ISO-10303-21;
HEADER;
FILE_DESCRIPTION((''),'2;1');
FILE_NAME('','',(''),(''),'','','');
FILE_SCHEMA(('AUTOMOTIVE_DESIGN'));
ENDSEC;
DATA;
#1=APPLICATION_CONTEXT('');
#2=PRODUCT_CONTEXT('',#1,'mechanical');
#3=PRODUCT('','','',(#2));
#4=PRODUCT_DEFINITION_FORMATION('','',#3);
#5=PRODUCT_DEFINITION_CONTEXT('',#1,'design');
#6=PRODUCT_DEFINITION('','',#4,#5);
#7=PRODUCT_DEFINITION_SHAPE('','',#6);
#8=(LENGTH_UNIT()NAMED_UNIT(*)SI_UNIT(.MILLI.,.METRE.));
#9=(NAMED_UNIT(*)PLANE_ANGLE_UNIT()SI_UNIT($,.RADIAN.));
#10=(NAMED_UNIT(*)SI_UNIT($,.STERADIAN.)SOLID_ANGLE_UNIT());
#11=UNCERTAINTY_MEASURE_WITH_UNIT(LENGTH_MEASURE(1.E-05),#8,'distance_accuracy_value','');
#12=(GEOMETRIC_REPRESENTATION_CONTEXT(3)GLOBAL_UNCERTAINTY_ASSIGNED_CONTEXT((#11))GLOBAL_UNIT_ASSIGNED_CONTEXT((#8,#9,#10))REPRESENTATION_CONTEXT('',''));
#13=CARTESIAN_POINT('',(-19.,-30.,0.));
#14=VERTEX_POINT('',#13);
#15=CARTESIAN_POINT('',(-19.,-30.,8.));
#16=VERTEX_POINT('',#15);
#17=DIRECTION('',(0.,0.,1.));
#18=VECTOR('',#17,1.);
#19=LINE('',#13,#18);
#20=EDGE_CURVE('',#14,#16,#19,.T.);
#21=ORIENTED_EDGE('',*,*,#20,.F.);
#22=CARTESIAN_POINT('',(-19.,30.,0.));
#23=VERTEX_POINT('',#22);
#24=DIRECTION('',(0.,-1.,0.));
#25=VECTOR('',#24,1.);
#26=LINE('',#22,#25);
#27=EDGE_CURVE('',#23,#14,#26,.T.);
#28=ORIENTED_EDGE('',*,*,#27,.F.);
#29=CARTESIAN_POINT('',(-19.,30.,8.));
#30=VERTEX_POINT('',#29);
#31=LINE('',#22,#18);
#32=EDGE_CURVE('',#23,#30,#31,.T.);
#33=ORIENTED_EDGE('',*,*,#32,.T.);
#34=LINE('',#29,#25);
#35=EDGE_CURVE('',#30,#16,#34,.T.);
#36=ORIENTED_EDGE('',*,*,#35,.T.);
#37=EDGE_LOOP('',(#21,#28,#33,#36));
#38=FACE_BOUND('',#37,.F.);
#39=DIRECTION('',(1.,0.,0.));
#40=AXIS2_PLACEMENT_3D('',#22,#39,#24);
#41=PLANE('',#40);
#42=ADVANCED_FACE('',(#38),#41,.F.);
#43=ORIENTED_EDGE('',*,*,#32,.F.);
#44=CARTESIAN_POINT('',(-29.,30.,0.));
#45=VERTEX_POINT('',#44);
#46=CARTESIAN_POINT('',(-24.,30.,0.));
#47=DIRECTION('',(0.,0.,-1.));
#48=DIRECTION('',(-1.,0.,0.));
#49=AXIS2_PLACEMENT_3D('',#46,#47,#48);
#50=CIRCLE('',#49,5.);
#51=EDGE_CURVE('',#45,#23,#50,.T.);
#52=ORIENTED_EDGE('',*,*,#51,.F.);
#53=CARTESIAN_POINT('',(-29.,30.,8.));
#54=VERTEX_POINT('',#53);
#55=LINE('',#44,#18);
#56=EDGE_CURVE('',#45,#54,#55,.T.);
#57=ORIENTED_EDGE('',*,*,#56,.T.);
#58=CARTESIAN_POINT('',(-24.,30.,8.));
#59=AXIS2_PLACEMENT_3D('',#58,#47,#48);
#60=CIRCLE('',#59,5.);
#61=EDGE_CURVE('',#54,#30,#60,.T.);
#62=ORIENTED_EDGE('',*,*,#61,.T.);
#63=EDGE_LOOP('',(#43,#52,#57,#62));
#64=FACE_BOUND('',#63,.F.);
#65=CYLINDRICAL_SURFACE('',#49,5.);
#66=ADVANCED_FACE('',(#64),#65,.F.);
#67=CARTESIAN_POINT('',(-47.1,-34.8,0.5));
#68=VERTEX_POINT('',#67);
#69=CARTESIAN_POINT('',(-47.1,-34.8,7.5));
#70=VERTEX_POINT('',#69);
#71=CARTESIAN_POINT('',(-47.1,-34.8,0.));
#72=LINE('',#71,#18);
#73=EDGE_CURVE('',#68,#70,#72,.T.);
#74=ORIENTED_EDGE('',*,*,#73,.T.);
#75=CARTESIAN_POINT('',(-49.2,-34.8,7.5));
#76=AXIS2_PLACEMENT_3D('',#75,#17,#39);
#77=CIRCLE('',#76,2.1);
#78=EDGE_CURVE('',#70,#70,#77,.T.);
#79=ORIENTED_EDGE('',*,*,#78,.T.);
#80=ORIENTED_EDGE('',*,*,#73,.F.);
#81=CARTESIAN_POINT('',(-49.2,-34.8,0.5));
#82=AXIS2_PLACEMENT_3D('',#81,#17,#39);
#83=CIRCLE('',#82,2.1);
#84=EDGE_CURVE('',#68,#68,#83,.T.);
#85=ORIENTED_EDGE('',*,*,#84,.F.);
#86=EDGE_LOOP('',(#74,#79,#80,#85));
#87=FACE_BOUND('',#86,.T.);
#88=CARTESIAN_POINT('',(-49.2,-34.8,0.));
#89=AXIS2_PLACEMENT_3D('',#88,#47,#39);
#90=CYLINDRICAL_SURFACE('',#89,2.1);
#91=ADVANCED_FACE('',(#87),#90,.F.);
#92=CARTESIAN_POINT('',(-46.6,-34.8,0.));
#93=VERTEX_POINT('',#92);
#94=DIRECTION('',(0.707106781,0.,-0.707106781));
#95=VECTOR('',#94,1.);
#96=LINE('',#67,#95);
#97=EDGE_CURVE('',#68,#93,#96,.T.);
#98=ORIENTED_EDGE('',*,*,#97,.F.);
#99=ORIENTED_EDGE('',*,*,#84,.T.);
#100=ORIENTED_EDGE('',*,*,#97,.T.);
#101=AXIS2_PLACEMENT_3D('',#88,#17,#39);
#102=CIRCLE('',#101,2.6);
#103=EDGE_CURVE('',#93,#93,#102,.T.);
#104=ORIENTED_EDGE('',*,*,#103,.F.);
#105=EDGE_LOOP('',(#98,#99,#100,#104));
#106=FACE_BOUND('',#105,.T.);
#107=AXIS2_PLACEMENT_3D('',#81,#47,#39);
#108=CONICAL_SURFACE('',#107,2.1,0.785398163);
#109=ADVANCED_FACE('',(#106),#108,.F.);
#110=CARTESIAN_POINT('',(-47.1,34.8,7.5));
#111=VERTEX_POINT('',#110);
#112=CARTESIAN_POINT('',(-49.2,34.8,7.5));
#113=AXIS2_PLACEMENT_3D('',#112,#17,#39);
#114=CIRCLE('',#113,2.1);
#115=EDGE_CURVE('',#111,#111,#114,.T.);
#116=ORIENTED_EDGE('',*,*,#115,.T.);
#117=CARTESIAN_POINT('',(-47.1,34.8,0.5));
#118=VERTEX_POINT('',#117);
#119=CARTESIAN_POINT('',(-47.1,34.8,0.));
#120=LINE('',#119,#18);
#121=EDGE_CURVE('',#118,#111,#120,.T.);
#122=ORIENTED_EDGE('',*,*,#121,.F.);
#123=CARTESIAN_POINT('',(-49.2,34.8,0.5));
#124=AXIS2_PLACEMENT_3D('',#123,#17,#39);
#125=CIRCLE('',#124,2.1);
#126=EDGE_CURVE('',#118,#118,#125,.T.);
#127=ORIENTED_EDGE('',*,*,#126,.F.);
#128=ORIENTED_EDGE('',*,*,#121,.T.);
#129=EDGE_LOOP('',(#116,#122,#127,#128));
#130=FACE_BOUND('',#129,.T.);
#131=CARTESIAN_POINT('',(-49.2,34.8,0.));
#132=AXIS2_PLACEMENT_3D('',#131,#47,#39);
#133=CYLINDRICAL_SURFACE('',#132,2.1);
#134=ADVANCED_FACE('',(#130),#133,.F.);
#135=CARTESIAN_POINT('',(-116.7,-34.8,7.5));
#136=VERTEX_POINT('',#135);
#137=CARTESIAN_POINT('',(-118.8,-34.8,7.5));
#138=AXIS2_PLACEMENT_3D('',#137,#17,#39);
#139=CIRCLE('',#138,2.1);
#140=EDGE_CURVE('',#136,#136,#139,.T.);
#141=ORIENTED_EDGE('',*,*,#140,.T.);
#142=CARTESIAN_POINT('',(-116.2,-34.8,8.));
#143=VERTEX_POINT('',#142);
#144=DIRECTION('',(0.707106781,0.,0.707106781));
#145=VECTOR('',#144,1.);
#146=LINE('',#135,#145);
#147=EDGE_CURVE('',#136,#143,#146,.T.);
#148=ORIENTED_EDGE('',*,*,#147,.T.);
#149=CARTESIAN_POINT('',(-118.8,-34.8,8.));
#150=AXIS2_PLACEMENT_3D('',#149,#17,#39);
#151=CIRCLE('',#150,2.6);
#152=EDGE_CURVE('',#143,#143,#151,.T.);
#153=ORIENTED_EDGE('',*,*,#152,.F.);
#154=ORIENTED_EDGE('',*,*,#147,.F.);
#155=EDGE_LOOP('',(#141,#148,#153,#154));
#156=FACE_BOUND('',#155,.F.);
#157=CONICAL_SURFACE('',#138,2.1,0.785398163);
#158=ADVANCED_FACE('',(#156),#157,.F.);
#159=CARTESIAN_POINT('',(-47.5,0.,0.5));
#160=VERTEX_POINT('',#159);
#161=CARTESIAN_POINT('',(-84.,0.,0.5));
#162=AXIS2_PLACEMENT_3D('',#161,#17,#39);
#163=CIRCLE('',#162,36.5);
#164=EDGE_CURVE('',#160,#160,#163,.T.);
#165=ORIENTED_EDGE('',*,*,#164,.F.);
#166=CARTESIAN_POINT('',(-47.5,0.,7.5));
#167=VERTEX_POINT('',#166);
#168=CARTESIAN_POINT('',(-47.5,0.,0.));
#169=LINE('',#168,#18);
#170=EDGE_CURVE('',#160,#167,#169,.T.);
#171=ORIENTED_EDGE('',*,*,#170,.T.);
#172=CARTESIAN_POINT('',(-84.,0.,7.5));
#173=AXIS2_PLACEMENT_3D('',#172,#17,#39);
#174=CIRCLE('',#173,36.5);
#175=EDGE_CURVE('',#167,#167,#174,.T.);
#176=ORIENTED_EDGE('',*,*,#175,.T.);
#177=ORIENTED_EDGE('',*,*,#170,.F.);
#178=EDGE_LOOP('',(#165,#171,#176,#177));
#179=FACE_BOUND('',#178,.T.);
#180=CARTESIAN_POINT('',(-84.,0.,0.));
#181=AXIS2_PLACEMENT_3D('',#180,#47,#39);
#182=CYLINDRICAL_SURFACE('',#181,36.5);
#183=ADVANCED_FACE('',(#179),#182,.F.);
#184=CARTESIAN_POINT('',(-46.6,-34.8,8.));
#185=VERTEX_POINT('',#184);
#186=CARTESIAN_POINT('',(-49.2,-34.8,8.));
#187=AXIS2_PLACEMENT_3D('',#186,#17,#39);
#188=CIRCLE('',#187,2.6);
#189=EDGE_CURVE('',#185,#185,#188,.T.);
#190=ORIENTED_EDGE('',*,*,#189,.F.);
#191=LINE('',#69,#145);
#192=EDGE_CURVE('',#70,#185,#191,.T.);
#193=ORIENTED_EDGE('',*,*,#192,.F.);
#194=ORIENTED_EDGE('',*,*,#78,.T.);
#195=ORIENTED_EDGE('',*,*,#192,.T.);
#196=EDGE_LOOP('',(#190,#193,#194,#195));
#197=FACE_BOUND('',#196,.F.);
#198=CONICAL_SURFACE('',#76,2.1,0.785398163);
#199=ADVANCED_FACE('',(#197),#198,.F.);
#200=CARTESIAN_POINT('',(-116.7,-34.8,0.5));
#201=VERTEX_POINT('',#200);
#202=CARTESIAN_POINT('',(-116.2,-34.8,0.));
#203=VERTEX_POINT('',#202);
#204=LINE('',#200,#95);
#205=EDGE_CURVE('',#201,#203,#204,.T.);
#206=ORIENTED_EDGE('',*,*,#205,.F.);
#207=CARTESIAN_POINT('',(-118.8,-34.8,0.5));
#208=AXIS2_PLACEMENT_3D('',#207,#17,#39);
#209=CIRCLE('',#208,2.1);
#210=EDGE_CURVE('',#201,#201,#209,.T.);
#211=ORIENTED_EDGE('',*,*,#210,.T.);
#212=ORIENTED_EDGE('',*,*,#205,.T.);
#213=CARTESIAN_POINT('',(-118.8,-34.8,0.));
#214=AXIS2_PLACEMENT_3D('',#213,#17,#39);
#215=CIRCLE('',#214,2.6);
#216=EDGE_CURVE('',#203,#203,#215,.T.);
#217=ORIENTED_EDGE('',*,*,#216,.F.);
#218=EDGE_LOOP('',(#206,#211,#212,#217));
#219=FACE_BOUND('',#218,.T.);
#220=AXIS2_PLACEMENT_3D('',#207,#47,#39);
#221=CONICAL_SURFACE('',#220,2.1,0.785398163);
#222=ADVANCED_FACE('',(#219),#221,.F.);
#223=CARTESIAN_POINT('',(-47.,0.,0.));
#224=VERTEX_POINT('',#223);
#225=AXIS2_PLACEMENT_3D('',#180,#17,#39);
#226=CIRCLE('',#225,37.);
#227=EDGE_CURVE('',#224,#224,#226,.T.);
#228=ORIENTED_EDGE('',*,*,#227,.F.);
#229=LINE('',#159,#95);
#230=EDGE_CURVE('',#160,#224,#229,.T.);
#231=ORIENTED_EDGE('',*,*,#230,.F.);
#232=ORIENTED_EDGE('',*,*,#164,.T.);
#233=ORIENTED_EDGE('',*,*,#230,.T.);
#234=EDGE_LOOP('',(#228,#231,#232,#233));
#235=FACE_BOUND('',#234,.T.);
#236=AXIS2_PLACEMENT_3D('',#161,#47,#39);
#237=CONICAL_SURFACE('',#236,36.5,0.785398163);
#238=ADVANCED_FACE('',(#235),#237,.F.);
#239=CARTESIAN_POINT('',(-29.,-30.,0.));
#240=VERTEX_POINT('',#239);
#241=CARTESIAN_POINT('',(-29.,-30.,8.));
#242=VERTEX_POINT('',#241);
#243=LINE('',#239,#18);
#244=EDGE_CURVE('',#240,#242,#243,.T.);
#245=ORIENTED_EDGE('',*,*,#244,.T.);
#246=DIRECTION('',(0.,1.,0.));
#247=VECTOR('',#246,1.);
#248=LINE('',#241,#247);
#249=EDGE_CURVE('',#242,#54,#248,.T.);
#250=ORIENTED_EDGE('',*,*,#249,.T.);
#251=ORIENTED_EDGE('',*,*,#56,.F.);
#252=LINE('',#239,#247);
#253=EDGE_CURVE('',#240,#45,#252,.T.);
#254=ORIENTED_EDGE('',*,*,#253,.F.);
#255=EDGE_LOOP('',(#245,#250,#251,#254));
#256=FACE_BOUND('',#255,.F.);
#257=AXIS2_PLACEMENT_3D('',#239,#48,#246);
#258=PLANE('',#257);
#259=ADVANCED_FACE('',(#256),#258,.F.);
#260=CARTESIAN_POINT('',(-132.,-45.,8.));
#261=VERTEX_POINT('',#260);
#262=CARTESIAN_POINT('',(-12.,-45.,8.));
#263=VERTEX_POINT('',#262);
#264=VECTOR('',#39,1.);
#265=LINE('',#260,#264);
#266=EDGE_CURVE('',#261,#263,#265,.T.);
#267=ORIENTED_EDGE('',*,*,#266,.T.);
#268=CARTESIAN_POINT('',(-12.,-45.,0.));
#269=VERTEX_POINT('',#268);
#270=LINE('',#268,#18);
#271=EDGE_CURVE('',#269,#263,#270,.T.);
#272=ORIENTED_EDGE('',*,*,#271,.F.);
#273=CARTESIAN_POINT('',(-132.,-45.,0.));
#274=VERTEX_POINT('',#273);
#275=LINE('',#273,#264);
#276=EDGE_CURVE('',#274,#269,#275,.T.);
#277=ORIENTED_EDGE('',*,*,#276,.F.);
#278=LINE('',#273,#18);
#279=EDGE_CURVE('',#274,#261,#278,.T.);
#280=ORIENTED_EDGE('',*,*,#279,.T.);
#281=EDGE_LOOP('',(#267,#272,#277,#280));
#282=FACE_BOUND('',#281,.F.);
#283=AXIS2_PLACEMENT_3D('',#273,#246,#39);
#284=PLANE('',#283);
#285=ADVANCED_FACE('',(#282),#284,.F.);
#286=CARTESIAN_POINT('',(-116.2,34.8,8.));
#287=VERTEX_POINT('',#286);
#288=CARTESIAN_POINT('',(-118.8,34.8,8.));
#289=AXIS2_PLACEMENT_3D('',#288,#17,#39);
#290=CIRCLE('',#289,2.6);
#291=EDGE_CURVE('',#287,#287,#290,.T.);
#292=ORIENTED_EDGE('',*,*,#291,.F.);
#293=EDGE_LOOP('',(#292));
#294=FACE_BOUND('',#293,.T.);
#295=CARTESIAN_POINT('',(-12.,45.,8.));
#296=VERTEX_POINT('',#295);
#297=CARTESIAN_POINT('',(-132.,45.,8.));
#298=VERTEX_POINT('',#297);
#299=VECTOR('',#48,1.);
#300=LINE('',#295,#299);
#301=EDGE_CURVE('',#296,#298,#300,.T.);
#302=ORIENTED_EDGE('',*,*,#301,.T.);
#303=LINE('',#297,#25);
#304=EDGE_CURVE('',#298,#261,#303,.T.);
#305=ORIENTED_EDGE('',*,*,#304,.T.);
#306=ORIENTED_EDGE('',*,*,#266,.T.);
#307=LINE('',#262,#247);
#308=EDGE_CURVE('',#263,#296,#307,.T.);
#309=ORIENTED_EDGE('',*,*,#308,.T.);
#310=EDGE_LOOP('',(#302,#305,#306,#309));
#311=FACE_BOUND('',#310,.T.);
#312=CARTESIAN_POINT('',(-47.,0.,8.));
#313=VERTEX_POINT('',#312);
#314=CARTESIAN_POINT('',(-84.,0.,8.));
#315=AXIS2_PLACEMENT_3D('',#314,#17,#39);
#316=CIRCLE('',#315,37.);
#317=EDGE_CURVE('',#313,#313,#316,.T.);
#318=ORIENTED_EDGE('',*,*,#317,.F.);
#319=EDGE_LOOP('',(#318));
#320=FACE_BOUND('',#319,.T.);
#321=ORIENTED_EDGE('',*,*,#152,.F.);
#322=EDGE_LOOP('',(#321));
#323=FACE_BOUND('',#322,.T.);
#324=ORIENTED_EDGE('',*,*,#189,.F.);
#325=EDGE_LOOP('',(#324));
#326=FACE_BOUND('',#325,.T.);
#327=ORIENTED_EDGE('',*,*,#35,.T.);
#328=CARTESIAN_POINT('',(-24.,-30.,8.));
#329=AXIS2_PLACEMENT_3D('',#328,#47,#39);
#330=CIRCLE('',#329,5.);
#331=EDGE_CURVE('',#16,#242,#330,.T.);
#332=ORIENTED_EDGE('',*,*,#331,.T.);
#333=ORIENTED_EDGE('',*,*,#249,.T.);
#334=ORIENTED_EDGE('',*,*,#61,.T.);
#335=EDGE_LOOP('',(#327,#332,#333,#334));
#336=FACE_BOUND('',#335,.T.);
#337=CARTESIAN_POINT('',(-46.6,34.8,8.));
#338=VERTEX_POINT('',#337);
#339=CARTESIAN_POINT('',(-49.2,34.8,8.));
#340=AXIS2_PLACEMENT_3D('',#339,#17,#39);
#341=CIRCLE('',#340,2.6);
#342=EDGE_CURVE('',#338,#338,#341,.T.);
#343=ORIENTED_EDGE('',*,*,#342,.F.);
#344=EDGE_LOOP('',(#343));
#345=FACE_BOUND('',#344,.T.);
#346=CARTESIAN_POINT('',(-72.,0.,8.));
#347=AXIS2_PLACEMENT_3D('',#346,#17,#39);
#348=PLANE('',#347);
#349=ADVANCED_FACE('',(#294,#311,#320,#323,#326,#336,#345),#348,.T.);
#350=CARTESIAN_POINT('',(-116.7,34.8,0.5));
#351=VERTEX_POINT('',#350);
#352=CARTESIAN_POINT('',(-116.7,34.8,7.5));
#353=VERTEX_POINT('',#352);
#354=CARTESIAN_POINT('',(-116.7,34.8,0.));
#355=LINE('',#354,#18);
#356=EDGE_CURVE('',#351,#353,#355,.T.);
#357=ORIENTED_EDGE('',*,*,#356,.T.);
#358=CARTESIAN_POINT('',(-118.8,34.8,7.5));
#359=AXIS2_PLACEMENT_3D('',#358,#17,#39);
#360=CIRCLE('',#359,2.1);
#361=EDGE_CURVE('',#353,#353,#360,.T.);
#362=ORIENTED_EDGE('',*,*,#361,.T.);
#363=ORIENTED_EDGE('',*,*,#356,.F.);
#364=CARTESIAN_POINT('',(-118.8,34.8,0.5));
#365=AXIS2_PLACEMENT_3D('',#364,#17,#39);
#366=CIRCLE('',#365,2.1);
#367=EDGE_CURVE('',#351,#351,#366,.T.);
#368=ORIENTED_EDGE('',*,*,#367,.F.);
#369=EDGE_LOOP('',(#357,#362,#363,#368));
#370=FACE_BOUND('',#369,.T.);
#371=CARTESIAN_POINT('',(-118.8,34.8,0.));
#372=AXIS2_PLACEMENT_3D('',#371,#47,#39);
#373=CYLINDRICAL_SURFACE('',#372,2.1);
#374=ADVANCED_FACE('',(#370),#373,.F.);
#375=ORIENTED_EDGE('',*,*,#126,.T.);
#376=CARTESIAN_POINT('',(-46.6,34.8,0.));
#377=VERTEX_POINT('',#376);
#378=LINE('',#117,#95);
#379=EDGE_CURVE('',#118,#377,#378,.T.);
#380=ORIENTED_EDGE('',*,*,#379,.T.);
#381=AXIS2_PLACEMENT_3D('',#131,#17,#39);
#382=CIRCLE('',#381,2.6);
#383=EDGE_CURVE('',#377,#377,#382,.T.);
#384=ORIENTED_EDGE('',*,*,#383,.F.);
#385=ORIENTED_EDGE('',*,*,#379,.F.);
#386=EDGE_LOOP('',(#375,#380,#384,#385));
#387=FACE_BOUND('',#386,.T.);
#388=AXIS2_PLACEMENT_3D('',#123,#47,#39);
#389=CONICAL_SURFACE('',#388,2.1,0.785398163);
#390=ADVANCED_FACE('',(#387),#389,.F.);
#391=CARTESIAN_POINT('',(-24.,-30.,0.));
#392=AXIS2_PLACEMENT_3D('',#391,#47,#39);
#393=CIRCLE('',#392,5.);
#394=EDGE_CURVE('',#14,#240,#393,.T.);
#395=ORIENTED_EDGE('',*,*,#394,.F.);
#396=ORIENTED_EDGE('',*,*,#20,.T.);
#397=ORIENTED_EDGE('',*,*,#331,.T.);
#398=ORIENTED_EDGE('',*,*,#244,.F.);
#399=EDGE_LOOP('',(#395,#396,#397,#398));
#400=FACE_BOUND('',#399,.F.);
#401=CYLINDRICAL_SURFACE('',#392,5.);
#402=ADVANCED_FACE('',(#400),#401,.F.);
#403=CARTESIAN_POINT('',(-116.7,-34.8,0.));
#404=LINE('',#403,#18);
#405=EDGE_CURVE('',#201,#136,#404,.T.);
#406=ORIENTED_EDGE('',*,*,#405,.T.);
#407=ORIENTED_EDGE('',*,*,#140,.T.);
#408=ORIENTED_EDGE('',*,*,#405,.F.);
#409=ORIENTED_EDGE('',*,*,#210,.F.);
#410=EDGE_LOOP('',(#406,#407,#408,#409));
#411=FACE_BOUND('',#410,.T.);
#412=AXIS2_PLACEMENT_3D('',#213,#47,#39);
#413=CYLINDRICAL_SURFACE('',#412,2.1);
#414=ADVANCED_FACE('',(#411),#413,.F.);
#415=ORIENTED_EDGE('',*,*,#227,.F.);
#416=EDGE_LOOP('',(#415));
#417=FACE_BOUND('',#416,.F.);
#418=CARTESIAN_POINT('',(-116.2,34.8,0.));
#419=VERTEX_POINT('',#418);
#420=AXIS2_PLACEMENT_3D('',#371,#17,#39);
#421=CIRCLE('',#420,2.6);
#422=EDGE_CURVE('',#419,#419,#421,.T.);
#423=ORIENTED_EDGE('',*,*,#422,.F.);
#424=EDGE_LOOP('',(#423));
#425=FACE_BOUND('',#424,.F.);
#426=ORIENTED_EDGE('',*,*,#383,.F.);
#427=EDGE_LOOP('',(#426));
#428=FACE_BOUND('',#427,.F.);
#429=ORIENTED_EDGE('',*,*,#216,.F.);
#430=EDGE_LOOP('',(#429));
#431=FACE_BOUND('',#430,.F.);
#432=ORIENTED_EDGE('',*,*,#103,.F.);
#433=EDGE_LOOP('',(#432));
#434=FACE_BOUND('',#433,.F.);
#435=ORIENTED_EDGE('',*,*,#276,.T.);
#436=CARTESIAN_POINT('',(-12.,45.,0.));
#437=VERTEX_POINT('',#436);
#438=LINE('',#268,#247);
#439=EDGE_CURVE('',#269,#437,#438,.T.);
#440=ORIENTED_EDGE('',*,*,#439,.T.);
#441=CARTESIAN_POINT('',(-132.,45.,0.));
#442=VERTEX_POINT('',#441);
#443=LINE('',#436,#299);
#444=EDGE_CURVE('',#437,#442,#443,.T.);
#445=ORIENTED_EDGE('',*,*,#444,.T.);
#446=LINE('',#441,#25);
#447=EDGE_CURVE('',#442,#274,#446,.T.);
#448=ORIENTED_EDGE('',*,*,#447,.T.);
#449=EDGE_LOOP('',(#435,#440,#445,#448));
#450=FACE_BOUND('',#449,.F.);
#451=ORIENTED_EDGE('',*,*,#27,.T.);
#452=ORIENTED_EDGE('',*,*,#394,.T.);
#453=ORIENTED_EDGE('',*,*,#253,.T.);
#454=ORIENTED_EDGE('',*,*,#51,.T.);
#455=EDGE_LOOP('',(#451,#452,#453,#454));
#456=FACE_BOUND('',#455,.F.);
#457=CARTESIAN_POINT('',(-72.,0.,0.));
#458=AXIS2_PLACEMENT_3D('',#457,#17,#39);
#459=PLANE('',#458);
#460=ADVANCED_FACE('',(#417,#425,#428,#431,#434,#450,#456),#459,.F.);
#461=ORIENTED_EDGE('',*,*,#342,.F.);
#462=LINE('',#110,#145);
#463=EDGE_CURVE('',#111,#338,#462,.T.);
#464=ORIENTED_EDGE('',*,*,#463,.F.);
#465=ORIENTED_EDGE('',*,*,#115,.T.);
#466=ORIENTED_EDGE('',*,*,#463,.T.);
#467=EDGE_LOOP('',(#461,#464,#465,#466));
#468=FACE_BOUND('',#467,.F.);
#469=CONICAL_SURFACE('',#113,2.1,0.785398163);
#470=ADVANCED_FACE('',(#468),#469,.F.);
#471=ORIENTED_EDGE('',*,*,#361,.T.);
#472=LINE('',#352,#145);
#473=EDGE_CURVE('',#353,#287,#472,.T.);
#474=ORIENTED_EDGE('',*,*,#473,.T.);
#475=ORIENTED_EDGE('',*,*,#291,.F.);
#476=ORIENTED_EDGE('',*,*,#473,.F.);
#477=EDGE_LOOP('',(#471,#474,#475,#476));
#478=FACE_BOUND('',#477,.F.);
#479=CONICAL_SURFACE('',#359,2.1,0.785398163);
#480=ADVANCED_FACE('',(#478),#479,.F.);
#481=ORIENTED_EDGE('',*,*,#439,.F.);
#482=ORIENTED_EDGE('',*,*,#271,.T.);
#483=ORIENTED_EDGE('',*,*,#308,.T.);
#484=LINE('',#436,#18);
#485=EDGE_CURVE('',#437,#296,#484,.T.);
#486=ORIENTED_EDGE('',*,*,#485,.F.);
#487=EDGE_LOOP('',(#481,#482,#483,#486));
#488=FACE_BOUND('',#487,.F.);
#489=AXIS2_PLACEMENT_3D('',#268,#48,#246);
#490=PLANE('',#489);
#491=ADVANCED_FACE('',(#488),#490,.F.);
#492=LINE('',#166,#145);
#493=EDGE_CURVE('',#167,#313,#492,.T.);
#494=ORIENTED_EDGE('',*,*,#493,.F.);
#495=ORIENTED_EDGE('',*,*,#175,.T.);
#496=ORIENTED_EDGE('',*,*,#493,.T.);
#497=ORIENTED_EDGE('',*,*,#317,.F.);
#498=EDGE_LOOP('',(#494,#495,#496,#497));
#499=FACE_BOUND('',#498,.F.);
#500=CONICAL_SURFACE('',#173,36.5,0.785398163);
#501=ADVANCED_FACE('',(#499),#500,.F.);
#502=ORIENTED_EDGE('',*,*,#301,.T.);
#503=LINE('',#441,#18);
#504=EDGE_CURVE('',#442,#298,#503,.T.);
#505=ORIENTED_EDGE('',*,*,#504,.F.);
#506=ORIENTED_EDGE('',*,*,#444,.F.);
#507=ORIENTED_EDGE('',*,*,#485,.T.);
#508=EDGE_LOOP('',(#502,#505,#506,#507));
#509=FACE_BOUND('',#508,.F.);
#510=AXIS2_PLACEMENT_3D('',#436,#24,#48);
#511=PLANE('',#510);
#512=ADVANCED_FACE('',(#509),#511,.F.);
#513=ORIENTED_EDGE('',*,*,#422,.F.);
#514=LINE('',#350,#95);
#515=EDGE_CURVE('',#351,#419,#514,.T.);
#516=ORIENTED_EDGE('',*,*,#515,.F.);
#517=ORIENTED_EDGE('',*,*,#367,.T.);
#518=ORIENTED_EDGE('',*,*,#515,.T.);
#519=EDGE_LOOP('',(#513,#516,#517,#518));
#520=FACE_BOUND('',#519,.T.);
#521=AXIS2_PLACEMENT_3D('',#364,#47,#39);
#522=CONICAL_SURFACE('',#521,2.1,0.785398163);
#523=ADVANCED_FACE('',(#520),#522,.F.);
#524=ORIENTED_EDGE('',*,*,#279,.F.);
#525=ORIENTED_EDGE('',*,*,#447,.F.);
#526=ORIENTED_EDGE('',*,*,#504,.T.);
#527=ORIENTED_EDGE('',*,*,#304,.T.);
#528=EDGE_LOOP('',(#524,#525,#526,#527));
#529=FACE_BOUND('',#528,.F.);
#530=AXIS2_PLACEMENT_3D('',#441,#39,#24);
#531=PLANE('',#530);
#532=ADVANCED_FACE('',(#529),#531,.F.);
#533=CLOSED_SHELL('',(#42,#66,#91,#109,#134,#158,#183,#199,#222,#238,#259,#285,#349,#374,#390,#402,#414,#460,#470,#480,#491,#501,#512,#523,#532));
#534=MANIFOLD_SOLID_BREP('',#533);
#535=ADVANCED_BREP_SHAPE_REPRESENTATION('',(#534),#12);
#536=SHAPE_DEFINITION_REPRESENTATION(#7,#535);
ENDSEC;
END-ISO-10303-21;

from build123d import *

# Parameters (mm, degrees)
F0_R     = 2.1
F0_R_2   = 36.5
F1_DEPTH = 8
F2_SIZE  = 0.5


with BuildPart() as f1:
    # F0 (on Top) → F1 (new body)
    with BuildSketch(Plane.XY):
        Polygon((-37, 45), (-132, 45), (-132, -45), (-37, -45), (-12, -45), (-12, 0), (-12, 45), align=None)
        with Locations((-118.8, -34.8)):
            Circle(F0_R, mode=Mode.SUBTRACT)
        with Locations((-49.2, -34.8)):
            Circle(F0_R, mode=Mode.SUBTRACT)
        with Locations((-84, 0)):
            Circle(F0_R_2, mode=Mode.SUBTRACT)
        with Locations((-118.8, 34.8)):
            Circle(F0_R, mode=Mode.SUBTRACT)
        with BuildLine():
            ThreePointArc((-29, 30), (-24, 35), (-19, 30))
            Line((-19, 30), (-19, -30))
            ThreePointArc((-19, -30), (-24, -35), (-29, -30))
            Line((-29, -30), (-29, 30))
        make_face(mode=Mode.SUBTRACT)
        with Locations((-49.2, 34.8)):
            Circle(F0_R, mode=Mode.SUBTRACT)
    extrude(amount=F1_DEPTH)

    # F2
    f2_edges = [f1.edges().sort_by_distance(p)[0] for p in [
        (-47.5, 0, 4),
        (-120.5, 0, 0),
        (-120.5, 0, 8),
        (-116.7, -34.8, 4),
        (-120.9, -34.8, 0),
        (-120.9, -34.8, 8),
        (-116.7, 34.8, 4),
        (-120.9, 34.8, 0),
        (-120.9, 34.8, 8),
        (-47.1, 34.8, 4),
        (-51.3, 34.8, 0),
        (-51.3, 34.8, 8),
        (-47.1, -34.8, 4),
        (-51.3, -34.8, 0),
        (-51.3, -34.8, 8),
    ]]
    chamfer(f2_edges, length=F2_SIZE)


solid = f1.part
